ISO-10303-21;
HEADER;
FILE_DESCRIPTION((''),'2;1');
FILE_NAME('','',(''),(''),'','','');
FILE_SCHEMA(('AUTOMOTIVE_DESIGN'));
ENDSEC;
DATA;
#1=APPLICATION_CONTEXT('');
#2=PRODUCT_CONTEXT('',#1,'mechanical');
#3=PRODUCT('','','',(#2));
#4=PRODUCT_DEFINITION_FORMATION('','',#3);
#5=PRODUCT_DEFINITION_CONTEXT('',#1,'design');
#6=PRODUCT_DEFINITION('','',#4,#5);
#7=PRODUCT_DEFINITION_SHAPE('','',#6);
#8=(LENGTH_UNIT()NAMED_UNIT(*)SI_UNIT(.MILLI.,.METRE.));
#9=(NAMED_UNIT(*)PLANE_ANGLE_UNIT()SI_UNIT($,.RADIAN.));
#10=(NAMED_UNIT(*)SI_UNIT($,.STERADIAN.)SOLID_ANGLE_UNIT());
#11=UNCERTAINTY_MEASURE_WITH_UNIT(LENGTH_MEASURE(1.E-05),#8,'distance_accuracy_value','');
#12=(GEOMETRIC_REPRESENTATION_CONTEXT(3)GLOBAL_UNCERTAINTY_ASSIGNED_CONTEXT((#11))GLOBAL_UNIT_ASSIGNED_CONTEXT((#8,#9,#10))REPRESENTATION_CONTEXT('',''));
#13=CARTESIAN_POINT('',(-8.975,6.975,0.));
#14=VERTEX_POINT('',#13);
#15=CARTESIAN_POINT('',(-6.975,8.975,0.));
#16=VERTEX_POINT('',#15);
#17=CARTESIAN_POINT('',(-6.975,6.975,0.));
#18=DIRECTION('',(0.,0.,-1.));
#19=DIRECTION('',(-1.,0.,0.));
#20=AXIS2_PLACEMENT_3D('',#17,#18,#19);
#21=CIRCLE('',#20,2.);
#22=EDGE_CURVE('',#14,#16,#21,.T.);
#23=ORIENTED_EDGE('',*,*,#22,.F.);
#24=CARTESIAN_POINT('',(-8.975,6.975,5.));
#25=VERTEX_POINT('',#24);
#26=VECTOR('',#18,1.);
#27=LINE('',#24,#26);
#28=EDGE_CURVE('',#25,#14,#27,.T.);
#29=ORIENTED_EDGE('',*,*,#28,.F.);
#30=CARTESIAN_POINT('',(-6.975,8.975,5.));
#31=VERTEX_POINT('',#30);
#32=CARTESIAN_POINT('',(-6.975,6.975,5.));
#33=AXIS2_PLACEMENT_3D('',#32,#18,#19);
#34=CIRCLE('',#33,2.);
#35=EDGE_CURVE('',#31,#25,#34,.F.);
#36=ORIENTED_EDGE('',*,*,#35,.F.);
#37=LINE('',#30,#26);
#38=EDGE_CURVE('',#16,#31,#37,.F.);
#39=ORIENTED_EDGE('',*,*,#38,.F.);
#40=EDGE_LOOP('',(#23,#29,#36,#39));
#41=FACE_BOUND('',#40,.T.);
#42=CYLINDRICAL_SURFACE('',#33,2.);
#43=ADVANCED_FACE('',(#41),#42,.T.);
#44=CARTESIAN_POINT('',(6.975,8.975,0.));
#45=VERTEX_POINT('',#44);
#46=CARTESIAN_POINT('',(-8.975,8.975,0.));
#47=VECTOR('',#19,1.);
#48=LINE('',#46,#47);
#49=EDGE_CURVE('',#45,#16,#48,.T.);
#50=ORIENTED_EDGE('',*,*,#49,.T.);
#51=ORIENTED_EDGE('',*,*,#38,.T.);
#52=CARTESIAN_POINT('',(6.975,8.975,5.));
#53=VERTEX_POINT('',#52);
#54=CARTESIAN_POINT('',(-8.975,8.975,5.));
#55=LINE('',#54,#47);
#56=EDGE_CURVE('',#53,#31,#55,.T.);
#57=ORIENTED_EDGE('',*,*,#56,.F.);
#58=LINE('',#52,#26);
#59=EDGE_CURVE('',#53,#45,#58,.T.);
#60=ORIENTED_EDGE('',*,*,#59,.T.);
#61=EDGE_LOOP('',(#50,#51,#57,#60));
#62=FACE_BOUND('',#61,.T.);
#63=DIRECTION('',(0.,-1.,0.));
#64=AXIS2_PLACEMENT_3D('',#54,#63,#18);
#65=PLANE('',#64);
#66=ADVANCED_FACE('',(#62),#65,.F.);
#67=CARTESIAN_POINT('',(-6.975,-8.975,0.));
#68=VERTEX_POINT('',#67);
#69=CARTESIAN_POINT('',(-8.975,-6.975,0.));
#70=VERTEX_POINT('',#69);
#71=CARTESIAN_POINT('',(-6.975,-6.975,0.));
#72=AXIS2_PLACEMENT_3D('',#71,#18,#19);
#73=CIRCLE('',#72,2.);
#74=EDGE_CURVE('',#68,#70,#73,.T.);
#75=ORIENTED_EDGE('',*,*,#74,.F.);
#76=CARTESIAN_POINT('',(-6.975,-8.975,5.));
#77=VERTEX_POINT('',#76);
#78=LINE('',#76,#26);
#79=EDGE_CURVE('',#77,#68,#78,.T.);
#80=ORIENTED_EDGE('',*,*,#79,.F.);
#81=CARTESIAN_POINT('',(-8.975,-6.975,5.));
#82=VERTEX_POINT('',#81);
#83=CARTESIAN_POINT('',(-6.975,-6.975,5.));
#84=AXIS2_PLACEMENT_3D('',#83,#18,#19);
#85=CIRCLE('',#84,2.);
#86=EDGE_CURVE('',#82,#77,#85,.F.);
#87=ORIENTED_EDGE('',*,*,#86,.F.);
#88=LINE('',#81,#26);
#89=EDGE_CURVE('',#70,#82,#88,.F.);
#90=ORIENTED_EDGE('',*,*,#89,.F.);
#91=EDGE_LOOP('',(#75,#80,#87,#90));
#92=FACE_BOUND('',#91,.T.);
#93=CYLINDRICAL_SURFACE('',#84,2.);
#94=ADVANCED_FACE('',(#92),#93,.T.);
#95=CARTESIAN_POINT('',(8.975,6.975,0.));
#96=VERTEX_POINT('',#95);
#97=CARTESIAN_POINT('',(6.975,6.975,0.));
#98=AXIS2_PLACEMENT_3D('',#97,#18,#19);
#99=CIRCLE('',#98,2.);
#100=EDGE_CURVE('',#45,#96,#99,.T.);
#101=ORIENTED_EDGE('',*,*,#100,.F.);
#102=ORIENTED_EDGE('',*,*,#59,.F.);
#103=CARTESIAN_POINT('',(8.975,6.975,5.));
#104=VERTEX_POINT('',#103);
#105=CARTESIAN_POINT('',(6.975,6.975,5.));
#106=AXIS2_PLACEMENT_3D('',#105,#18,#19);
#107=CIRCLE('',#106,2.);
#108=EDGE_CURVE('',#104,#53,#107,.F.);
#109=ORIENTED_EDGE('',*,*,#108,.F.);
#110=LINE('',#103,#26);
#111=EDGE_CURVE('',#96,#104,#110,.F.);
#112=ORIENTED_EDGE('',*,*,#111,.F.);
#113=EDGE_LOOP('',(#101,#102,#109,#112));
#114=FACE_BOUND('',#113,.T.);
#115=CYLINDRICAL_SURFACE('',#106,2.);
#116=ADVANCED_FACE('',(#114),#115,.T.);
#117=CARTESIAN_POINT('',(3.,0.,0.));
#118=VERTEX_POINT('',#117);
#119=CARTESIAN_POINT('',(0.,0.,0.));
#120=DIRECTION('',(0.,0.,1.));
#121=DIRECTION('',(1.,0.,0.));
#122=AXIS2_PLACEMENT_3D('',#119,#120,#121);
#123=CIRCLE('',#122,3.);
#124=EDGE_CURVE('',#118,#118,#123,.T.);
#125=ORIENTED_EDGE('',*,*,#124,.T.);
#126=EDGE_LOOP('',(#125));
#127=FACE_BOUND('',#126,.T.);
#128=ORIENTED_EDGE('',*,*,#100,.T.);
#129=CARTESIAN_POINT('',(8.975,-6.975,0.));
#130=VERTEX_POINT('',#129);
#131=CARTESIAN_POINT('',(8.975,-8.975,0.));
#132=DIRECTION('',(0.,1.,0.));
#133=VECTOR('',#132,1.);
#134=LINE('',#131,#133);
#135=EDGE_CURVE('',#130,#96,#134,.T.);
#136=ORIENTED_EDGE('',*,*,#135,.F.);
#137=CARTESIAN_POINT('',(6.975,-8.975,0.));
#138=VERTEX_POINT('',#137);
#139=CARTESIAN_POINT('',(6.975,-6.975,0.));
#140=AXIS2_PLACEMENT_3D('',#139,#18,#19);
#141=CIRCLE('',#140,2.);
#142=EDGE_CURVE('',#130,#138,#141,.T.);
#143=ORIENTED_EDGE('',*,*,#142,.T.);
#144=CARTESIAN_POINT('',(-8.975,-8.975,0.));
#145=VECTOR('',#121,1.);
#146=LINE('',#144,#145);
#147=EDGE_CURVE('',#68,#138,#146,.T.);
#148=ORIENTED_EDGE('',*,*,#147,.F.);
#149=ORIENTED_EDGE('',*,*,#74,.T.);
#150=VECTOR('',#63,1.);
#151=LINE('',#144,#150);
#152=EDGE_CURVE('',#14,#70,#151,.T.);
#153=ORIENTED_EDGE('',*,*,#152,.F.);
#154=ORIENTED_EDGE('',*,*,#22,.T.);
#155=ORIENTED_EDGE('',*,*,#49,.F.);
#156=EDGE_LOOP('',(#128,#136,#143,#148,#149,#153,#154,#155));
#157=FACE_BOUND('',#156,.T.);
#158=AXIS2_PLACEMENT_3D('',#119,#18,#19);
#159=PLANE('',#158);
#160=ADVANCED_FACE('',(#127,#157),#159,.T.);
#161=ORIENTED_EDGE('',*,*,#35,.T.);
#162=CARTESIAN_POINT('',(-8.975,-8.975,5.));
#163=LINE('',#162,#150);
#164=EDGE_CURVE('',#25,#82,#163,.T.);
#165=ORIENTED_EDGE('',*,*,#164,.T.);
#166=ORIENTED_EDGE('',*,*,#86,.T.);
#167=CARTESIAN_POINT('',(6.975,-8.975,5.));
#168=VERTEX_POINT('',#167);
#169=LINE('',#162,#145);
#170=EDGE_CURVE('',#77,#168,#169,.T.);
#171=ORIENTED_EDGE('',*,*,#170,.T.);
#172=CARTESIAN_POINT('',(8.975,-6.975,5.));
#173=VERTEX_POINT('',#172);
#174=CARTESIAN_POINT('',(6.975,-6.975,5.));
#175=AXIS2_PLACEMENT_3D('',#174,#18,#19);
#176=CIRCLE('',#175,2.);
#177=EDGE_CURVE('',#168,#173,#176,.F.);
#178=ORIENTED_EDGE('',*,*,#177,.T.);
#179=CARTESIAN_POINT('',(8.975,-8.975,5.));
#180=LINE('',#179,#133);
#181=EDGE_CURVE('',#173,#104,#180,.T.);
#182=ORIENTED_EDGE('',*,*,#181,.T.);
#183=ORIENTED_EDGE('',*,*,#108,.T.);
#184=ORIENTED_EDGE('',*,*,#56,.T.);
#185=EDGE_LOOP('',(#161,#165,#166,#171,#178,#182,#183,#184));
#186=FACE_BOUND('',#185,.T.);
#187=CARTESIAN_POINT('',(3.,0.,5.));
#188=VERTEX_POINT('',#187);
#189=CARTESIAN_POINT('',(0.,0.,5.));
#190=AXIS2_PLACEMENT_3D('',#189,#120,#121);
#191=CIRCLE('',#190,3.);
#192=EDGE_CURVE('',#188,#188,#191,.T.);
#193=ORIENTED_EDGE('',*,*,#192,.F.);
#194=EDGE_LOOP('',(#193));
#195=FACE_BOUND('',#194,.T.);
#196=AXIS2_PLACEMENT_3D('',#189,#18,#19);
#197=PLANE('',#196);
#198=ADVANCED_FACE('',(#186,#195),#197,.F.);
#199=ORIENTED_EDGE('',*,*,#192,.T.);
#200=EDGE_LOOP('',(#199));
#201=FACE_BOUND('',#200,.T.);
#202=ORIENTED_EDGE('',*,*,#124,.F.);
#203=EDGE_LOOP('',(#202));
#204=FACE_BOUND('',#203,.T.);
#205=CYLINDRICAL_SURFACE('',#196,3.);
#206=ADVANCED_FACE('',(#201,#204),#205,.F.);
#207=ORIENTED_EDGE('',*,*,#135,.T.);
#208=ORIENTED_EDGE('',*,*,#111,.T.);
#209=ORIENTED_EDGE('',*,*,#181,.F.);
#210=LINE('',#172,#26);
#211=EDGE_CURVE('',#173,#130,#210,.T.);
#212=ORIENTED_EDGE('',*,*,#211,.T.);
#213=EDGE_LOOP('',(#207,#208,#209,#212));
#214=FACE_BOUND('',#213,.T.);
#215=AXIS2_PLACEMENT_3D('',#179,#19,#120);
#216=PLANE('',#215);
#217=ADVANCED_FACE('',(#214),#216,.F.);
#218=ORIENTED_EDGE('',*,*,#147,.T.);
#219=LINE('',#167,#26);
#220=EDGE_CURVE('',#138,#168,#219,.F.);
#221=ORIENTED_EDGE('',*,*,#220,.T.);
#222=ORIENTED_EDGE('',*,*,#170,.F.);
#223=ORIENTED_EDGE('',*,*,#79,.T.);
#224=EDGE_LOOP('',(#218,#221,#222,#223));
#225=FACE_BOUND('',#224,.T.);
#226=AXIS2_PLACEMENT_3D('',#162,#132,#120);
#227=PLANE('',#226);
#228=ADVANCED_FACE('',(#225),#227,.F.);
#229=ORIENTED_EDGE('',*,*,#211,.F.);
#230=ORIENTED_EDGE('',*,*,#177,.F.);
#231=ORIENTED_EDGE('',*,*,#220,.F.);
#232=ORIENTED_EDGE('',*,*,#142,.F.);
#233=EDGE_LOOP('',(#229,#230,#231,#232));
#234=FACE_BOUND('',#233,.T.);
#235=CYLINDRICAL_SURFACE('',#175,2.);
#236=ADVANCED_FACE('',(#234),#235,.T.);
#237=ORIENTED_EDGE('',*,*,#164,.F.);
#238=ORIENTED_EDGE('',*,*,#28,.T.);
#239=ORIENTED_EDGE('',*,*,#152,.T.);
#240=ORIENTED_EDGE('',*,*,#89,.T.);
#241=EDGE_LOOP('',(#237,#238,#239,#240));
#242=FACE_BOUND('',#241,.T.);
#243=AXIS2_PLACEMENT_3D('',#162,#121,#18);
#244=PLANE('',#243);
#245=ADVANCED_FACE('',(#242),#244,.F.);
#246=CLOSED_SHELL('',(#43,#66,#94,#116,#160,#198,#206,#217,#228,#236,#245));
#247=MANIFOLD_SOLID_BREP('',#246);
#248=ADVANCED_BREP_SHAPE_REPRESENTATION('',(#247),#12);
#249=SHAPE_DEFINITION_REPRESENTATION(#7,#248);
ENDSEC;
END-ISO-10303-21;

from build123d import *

# Parameters (mm, degrees)
SKETCH_1_W      = 17.95
SKETCH_1_H      = 17.95
SKETCH_1_R      = 3
EXTRUDE_1_DEPTH = 5
FILLET_1_R      = 2


with BuildPart() as part:
    # 草图1 → 凸台-拉伸1 (new body)
    with BuildSketch(Plane.XY):
        Rectangle(SKETCH_1_W, SKETCH_1_H)
        Circle(SKETCH_1_R, mode=Mode.SUBTRACT)
    extrude(amount=EXTRUDE_1_DEPTH)

    # 圆角1
    fillet_1_edges = [part.edges().sort_by_distance(p)[0] for p in [
        (8.975, -8.975, 2.5),
        (-8.975, -8.975, 2.5),
        (-8.975, 8.975, 2.5),
        (8.975, 8.975, 2.5),
    ]]
    fillet(fillet_1_edges, radius=FILLET_1_R)


solid = part.part
